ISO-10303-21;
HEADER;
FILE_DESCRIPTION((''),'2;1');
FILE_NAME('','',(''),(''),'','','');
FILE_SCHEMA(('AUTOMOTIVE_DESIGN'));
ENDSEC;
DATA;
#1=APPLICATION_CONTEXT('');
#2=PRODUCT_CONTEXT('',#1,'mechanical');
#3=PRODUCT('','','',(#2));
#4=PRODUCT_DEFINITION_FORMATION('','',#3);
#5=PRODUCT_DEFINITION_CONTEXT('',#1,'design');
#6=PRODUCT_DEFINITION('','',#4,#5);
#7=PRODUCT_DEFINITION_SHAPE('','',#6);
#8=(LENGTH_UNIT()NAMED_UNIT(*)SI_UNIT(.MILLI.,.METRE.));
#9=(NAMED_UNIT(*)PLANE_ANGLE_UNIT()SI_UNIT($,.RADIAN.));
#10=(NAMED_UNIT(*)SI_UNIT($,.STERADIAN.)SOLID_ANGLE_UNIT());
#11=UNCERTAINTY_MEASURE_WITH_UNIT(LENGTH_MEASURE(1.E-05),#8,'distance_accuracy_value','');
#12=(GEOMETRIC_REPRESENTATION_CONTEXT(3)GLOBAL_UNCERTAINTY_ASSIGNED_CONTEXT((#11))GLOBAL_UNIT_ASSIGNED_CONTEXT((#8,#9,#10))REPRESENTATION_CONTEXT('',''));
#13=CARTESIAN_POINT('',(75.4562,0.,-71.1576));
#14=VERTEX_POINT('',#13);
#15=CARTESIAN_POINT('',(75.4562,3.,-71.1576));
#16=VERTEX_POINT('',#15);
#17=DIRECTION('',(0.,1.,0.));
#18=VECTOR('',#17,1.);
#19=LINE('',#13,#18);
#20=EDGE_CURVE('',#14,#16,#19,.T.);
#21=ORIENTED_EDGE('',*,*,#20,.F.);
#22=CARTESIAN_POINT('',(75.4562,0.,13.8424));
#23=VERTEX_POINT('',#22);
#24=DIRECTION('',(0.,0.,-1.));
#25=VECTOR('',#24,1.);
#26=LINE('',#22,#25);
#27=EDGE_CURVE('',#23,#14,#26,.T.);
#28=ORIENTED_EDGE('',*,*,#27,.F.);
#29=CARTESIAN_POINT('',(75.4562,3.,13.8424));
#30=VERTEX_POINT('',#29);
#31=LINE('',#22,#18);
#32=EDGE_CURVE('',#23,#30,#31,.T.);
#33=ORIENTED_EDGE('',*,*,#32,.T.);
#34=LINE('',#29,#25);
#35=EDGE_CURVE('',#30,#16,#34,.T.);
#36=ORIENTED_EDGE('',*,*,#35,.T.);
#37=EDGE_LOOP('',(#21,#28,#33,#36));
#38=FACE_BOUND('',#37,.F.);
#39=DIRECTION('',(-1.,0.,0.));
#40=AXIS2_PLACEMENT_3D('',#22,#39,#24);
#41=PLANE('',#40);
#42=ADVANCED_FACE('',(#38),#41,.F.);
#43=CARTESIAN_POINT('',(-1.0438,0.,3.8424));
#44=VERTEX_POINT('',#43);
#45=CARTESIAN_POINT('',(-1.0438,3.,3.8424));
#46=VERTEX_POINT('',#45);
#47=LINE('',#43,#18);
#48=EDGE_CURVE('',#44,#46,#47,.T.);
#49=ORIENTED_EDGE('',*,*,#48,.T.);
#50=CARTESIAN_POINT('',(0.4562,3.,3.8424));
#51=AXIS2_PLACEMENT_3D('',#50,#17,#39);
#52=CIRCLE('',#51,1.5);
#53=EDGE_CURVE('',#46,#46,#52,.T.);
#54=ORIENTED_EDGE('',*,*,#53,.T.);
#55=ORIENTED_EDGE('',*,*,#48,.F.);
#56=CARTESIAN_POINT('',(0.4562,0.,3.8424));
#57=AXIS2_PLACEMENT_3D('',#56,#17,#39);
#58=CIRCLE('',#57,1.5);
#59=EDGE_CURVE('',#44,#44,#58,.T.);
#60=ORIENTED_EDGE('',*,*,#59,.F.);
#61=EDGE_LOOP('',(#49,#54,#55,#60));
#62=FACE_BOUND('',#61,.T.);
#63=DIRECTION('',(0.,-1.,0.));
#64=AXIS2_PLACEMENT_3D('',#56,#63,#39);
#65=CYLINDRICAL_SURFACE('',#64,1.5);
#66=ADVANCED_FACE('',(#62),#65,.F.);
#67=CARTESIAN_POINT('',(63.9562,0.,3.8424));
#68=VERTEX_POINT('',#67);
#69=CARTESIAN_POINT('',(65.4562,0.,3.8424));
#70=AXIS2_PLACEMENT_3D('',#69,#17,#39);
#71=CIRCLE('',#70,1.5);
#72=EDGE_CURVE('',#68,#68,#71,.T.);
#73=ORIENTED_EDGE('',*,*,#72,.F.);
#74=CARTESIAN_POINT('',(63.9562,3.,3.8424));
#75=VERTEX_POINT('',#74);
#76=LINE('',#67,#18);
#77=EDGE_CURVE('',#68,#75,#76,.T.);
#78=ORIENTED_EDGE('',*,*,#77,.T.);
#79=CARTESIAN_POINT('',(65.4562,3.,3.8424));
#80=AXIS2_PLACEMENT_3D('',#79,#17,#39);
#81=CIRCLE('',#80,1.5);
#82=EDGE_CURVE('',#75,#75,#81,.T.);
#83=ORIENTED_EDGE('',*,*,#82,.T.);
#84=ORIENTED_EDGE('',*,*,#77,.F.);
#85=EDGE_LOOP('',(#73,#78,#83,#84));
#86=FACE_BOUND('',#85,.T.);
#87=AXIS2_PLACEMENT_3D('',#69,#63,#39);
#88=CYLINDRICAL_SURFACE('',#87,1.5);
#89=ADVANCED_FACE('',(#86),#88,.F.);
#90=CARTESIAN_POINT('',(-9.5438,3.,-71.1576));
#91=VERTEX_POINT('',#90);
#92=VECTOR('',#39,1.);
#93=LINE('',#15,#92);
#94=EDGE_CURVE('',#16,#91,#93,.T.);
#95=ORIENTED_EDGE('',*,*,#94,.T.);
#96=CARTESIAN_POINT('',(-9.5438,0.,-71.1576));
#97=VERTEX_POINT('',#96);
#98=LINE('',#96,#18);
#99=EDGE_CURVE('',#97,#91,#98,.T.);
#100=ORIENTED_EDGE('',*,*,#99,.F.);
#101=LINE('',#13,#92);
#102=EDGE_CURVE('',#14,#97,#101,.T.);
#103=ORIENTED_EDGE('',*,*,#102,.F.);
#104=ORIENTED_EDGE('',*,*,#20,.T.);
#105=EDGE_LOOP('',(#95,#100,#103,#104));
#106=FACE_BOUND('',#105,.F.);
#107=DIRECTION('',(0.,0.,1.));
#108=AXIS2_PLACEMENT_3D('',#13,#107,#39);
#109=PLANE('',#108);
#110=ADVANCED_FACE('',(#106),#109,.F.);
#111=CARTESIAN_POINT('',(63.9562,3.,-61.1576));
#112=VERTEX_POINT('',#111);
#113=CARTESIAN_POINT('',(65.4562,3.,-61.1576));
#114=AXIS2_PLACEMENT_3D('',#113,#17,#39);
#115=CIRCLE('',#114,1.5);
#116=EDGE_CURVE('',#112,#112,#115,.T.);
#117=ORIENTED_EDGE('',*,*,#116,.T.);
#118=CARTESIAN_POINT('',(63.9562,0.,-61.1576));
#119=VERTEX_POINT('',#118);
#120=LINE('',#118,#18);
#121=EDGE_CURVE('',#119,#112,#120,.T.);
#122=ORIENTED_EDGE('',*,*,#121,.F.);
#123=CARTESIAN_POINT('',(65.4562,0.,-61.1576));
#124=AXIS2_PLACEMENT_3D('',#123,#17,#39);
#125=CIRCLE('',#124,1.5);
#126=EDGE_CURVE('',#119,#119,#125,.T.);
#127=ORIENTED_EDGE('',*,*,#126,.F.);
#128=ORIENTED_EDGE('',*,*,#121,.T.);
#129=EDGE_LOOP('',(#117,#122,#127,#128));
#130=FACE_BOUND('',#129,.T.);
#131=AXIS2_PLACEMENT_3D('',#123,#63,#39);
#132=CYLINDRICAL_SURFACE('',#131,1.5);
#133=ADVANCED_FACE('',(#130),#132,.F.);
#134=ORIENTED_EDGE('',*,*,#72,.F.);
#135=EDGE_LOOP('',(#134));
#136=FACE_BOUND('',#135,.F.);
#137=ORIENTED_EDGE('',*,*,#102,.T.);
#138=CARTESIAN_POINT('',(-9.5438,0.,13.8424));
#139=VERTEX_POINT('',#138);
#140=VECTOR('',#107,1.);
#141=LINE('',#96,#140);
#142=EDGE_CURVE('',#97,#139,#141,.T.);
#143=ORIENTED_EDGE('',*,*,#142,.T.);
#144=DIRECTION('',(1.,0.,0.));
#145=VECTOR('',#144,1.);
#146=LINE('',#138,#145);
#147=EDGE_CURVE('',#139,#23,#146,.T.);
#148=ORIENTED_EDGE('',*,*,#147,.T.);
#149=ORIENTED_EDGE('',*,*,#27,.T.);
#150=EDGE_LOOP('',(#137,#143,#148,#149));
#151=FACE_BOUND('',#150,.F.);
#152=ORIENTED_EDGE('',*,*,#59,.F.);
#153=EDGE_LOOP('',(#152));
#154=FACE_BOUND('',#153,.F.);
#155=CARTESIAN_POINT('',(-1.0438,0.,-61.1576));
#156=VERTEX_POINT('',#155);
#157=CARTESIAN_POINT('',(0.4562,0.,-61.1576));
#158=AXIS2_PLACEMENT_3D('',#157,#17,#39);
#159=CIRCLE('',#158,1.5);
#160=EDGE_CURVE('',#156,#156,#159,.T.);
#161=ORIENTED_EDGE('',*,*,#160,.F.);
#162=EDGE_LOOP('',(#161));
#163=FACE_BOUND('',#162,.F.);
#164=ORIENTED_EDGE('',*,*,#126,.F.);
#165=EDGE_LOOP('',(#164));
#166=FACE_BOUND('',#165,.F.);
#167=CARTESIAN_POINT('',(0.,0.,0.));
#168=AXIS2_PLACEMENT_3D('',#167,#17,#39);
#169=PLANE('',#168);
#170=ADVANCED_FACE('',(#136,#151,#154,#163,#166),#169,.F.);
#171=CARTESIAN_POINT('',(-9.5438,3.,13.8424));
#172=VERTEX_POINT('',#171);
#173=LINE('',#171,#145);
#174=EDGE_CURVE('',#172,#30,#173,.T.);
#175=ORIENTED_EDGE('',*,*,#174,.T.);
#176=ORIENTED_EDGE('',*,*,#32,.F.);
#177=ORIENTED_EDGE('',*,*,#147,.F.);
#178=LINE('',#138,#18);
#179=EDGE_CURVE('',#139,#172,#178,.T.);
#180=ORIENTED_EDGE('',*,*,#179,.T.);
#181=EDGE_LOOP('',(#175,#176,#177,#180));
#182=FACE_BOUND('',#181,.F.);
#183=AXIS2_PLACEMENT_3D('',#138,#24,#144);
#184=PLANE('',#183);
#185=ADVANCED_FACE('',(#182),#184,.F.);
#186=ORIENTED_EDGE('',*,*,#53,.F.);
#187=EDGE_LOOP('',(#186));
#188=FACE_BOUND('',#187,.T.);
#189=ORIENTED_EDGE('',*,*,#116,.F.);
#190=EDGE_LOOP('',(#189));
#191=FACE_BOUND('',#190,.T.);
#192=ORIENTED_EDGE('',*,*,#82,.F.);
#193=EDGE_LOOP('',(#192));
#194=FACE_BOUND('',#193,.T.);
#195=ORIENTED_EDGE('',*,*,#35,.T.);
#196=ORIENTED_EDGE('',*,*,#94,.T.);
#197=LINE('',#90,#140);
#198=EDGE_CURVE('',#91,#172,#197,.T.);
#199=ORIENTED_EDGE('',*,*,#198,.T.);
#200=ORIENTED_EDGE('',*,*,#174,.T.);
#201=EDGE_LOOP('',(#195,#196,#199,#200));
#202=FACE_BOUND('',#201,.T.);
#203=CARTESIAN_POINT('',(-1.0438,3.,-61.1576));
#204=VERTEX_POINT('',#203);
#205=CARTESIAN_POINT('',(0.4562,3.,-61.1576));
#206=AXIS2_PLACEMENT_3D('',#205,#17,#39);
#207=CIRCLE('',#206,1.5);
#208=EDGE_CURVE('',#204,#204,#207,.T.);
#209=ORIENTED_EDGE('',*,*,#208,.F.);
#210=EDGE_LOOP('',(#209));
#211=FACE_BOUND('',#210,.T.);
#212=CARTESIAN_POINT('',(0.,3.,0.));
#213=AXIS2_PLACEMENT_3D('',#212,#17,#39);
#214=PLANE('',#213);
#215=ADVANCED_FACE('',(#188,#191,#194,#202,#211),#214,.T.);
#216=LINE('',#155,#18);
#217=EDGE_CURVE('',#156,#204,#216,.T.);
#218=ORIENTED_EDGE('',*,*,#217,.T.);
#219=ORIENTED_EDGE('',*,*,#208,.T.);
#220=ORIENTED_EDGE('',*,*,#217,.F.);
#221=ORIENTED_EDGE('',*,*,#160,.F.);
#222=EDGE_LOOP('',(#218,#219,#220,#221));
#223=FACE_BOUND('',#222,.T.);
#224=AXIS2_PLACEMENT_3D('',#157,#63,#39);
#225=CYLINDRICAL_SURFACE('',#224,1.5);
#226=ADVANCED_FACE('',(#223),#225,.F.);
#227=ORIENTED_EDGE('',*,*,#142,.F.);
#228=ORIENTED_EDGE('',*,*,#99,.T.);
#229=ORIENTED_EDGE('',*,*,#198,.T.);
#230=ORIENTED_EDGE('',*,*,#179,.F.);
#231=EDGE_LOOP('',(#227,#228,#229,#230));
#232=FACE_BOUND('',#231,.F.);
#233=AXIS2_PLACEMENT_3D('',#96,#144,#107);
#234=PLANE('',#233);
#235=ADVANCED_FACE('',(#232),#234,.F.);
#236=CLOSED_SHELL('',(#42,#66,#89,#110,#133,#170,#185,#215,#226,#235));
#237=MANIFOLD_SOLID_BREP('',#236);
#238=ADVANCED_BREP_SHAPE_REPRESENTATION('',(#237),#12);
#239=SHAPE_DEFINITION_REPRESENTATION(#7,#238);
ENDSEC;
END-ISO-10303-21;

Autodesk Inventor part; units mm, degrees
ref_plane "YZ Plane" through (0, 0, 0) normal (1, 0, 0) x (0, 1, 0)
ref_plane "XZ Plane" through (0, 0, 0) normal (0, 1, 0) x (-1, 0, 0)
ref_plane "XY Plane" through (0, 0, 0) normal (0, 0, 1) x (1, 0, 0)
sketch "Sketch1" plane through (0, 0, 0) normal (0, 1, 0) x (-1, 0, 0)
  line L0 (9.5438, 13.8424) -> (-75.4562, 13.8424)
  line L1 (-75.4562, 13.8424) -> (-75.4562, -71.1576)
  line L2 (-75.4562, -71.1576) -> (9.5438, -71.1576)
  line L3 (9.5438, -71.1576) -> (9.5438, 13.8424)
  circle A0 centre (-0.4562, 3.8424) radius 1.5
  circle A1 centre (-0.4562, -61.1576) radius 1.5
  circle A2 centre (-65.4562, -61.1576) radius 1.5
  circle A3 centre (-65.4562, 3.8424) radius 1.5
  point P0 (0, 0)
  dimension "d0" = 85
  dimension "d1" = 85
  dimension "d2" = 3
  dimension "d3" = 3
  dimension "d4" = 3
  dimension "d5" = 3
  dimension "d6" = 10
  dimension "d7" = 10
  dimension "d8" = 10
  dimension "d9" = 10
  dimension "d10" = 10
  dimension "d11" = 10
  dimension "d12" = 10
  dimension "d13" = 10
  dimension "d14" = 65
extrude "Extrusion1" add sketch "Sketch1" along normal blind 3
properties part number "topLid"
